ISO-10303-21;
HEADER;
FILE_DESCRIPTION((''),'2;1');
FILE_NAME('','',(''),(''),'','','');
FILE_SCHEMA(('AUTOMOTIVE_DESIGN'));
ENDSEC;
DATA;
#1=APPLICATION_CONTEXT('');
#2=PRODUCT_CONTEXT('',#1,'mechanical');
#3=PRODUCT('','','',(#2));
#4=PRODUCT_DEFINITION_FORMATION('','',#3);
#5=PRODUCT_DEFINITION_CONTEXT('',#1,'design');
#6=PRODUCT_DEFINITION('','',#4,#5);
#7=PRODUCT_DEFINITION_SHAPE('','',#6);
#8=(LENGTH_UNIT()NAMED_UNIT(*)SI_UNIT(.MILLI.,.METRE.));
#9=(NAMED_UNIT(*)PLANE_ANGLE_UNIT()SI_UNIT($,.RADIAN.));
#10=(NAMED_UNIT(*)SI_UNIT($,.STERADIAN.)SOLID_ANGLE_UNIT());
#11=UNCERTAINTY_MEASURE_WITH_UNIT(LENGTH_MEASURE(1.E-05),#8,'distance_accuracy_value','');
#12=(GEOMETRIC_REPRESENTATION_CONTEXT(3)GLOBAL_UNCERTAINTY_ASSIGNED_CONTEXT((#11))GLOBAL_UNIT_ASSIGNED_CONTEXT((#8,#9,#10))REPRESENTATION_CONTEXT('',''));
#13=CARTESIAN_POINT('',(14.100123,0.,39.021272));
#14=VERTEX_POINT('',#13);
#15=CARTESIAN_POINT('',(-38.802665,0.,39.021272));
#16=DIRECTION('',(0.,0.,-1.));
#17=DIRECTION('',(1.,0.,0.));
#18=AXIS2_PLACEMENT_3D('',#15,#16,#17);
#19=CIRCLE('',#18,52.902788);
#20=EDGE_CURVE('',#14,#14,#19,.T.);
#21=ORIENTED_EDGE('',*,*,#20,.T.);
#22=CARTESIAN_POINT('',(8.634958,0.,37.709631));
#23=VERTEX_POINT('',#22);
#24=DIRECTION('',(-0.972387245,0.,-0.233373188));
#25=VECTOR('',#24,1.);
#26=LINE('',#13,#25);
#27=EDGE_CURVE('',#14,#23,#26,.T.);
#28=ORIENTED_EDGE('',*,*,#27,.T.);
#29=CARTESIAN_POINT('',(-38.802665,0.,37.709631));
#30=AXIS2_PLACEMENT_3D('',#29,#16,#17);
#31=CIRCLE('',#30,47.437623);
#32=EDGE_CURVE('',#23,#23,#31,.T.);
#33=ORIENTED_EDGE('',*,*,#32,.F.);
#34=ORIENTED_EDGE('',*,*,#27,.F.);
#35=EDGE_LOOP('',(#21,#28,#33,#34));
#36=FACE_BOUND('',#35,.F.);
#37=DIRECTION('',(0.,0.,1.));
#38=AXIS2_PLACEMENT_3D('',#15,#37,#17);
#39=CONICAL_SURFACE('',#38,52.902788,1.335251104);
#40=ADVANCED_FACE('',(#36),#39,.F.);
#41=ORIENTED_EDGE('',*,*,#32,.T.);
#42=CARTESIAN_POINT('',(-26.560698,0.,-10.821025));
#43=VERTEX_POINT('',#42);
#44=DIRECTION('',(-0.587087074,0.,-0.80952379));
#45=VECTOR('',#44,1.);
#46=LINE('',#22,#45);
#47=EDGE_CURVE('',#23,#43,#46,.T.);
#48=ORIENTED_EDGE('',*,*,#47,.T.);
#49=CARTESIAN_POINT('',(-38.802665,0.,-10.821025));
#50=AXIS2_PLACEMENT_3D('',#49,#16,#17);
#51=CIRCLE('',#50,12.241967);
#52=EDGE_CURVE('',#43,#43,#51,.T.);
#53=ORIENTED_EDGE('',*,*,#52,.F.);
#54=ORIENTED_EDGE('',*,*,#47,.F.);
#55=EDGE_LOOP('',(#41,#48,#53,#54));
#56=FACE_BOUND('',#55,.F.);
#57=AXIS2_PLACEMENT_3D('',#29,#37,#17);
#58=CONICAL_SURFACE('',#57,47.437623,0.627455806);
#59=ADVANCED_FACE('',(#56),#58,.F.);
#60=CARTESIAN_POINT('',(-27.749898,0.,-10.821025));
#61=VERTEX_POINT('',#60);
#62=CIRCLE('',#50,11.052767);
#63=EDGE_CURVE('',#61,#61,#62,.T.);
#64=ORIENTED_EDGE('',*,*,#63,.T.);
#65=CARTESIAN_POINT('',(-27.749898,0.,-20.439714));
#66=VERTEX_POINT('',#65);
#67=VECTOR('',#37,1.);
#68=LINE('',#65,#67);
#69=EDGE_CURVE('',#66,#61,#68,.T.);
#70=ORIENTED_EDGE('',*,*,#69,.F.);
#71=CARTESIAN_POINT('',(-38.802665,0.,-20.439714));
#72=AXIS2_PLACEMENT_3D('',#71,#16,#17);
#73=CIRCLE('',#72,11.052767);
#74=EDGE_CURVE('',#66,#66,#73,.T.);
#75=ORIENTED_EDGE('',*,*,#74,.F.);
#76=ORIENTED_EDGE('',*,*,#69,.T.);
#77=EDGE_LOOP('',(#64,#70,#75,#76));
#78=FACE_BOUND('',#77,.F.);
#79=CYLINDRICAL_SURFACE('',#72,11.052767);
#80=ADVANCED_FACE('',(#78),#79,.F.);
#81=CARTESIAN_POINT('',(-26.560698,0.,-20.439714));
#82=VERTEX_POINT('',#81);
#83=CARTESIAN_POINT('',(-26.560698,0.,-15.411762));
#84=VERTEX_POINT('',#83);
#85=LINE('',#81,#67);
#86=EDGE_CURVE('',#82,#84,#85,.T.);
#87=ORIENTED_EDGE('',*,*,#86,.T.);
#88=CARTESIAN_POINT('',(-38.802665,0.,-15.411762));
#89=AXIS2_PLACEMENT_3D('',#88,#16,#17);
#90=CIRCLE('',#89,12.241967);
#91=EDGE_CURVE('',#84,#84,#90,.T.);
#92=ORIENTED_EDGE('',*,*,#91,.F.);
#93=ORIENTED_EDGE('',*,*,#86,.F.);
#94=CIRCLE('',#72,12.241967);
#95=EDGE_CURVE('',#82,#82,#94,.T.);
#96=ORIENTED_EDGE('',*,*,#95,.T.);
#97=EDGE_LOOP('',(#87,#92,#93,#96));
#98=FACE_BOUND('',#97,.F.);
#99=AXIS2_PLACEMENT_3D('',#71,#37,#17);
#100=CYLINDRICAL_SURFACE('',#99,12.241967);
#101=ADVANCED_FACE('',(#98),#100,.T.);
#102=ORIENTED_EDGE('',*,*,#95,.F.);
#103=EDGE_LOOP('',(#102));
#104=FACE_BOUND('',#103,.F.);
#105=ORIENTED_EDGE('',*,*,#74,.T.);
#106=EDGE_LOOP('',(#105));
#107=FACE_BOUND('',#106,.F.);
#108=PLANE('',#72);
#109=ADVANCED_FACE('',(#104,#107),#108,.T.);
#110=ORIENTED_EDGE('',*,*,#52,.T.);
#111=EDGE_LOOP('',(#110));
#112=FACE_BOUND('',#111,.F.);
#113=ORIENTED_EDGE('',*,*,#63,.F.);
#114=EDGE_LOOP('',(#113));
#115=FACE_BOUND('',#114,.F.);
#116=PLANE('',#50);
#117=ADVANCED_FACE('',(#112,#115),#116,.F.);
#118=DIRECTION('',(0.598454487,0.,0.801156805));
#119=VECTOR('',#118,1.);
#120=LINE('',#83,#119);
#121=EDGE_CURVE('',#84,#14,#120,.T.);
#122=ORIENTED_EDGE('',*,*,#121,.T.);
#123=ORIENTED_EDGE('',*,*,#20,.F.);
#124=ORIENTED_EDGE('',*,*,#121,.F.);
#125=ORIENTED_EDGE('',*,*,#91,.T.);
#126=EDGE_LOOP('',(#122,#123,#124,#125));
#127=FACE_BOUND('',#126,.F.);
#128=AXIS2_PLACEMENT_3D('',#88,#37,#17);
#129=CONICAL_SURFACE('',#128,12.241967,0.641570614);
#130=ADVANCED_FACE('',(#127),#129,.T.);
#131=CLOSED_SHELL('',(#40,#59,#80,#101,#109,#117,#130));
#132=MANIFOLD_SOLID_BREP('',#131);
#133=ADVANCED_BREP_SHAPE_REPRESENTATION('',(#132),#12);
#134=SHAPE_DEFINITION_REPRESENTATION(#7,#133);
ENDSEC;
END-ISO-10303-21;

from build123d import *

# Parameters (mm, degrees)
F2_R     = 11.052767
F3_DEPTH = 25.4


with BuildPart() as f1:
    # F0 (on Front) → F1 (revolve)
    with BuildSketch(Plane.XZ):
        Polygon((14.100123, 39.021272), (8.634958, 37.709631), (-26.560698, -10.821025), (-38.802665, -10.821025), (-38.802665, -20.439714), (-26.560698, -20.439714), (-26.560698, -15.411762), align=None)
    revolve(axis=Axis((-38.802665, 0, -15.63037), (0, 0, -1)))

    # F2 (on face) → F3 (cut)
    with BuildSketch(Plane(origin=(0, 0, -20.439714), x_dir=(1, 0, 0), z_dir=(0, 0, -1))):
        with Locations((-38.802665, 0)):
            Circle(F2_R)
    extrude(amount=-F3_DEPTH, mode=Mode.SUBTRACT)


solid = f1.part
